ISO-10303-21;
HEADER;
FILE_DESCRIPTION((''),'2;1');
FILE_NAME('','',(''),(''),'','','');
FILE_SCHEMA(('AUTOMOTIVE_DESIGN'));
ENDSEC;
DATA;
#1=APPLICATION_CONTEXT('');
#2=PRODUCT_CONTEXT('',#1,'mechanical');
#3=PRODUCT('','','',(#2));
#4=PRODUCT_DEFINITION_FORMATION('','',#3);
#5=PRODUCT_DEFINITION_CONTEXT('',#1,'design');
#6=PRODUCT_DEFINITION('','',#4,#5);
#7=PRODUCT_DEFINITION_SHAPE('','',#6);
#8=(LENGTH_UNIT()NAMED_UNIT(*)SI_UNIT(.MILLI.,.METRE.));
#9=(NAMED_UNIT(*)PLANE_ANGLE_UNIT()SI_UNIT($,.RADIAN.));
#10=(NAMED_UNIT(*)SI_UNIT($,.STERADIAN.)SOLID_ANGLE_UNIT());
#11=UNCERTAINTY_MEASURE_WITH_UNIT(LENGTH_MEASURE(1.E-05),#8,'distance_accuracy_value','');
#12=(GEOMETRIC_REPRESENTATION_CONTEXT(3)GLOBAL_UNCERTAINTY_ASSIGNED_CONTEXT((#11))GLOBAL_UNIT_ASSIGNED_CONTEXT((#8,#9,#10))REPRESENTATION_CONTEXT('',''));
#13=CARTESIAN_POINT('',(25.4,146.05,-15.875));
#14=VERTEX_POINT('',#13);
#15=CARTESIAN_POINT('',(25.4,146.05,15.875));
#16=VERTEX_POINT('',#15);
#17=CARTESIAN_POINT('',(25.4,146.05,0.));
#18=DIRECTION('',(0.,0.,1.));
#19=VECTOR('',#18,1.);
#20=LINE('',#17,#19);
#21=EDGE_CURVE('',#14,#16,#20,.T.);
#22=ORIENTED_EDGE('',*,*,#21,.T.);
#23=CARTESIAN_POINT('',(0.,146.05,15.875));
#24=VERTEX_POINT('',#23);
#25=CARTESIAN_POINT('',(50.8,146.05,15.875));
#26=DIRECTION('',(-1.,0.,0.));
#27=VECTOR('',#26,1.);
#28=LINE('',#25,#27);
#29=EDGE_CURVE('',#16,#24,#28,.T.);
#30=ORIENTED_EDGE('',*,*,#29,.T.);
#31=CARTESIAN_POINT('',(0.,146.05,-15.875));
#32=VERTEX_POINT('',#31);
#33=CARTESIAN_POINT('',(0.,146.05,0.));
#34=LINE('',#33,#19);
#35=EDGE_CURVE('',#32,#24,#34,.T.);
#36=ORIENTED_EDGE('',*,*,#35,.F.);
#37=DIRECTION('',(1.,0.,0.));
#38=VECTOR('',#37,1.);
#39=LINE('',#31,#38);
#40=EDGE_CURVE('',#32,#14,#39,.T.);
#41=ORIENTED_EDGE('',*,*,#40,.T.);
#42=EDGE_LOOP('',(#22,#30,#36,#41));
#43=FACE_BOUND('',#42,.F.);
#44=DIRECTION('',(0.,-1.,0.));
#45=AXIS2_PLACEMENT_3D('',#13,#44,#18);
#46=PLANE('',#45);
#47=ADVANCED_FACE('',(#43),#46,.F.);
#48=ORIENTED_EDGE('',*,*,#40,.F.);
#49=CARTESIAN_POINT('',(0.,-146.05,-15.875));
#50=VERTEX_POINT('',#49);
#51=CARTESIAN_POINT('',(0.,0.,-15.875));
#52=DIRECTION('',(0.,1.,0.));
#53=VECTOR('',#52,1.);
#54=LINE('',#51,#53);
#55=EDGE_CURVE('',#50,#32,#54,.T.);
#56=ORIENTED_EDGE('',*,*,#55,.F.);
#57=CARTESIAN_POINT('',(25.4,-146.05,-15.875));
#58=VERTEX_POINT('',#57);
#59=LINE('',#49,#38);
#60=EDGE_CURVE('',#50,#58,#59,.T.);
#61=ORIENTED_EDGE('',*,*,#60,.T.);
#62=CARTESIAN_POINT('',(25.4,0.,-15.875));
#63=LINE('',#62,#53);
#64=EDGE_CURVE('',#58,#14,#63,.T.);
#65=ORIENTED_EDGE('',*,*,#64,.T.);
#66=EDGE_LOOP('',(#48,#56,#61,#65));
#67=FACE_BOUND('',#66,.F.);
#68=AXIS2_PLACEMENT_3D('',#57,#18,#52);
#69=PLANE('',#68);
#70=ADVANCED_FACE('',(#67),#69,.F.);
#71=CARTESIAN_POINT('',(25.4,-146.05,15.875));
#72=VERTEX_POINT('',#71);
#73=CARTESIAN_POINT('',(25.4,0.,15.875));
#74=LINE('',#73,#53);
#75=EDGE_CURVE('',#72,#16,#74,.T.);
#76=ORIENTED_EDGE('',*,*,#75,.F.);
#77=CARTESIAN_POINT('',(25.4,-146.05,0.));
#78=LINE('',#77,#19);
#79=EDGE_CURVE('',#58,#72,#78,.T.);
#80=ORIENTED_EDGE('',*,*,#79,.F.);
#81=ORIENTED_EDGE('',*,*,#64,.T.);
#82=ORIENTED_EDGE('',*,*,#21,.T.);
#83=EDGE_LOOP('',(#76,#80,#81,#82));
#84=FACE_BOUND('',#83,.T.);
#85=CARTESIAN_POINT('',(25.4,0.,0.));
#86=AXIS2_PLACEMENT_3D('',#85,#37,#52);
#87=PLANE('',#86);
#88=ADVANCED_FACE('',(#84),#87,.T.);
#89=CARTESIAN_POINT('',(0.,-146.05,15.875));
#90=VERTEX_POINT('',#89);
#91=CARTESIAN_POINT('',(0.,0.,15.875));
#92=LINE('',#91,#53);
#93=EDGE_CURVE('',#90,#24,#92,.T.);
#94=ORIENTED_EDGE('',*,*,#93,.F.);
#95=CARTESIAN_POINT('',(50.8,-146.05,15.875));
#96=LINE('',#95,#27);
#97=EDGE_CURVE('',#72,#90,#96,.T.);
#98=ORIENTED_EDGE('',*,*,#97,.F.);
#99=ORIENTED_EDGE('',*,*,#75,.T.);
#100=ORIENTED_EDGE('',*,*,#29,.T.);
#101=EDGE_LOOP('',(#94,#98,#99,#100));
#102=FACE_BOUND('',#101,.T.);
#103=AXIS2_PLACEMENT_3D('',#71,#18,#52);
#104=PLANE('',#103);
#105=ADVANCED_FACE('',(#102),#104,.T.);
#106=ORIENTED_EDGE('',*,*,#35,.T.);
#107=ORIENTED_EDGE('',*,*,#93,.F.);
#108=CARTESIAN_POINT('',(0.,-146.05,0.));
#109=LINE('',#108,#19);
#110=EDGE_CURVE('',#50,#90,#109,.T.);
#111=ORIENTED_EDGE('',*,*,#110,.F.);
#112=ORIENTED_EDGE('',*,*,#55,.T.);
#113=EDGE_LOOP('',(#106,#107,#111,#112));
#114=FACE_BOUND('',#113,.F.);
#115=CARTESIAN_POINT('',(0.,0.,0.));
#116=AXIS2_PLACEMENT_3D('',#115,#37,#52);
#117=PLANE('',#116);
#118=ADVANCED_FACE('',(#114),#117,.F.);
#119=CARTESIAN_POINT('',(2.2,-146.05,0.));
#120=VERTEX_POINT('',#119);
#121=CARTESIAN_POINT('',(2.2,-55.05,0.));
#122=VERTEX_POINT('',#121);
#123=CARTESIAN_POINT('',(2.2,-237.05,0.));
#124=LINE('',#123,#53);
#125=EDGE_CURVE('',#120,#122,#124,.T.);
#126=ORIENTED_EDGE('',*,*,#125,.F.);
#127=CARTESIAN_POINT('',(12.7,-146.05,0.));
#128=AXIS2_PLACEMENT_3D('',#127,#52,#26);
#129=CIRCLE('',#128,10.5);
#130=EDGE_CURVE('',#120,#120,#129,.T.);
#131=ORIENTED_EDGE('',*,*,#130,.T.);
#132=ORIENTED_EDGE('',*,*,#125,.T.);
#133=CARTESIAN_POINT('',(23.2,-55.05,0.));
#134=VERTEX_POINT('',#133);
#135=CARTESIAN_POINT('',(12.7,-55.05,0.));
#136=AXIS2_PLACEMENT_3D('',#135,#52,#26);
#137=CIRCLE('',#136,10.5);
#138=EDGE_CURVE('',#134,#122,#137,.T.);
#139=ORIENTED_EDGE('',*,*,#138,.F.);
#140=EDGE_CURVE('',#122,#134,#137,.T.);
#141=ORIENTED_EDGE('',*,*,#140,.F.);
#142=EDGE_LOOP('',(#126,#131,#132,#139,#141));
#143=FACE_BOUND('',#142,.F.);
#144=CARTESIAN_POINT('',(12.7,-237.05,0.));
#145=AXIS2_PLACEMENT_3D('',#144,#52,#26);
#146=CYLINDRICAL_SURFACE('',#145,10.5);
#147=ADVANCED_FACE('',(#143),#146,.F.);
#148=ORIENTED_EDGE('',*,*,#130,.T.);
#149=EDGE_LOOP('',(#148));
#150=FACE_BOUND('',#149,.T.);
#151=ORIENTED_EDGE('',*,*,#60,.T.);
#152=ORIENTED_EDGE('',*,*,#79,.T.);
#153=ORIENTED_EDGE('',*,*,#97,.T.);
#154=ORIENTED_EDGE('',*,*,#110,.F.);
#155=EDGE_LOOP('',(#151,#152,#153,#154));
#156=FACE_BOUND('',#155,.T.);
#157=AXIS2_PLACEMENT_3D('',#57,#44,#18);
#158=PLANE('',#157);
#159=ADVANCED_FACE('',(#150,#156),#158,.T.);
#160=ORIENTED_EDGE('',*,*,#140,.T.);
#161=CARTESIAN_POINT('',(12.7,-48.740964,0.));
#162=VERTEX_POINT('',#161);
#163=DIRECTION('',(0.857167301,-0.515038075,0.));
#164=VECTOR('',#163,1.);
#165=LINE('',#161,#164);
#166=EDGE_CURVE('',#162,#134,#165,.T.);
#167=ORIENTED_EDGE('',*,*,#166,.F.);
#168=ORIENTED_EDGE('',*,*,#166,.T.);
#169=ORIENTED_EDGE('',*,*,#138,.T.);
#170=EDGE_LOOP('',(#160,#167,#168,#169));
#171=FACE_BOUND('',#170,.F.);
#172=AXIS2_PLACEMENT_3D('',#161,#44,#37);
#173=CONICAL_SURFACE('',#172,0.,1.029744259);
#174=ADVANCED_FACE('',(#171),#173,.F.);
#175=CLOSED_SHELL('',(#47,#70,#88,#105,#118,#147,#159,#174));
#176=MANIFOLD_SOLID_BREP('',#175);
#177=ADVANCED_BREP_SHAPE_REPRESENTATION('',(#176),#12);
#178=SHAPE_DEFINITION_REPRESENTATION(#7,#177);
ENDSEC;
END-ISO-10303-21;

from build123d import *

# Parameters (mm, degrees)
F0_W     = 292.1
F0_H     = 31.75
F1_DEPTH = 20.32
F2_DEPTH = 5.08
F3_DEPTH = 25.4
F4_DEPTH = 25.4
F6_D     = 21
F6_DEPTH = 91
F6_TIP   = 6.3090364998


with BuildPart() as f1:
    # F0 (on Right) → F1 (new body)
    with BuildSketch(Plane.YZ):
        Rectangle(F0_W, F0_H)
    extrude(amount=F1_DEPTH)

    # F2 (add): a face of the model
    f2_faces = [f1.faces().sort_by_distance(p)[0] for p in [
        (20.32, 0, 0),
    ]]
    extrude(f2_faces, amount=F2_DEPTH)

    # F3 (add): a face of the model
    f3_faces = [f1.faces().sort_by_distance(p)[0] for p in [
        (25.4, 0, 0),
    ]]
    extrude(f3_faces, amount=F3_DEPTH)

    # F4 (cut): a face of the model
    f4_faces = [f1.faces().sort_by_distance(p)[0] for p in [
        (50.8, 0, 0),
    ]]
    extrude(f4_faces, amount=-F4_DEPTH, mode=Mode.SUBTRACT)

    # F6
    with Locations(Plane.XZ.offset(146.05)):
        with Locations((12.7, 0)):
            Hole(F6_D / 2, depth=F6_DEPTH)
            with Locations((0, 0, -(F6_DEPTH + F6_TIP / 2))):  # 118° drill point
                Cone(0, F6_D / 2, F6_TIP, mode=Mode.SUBTRACT)


solid = f1.part
